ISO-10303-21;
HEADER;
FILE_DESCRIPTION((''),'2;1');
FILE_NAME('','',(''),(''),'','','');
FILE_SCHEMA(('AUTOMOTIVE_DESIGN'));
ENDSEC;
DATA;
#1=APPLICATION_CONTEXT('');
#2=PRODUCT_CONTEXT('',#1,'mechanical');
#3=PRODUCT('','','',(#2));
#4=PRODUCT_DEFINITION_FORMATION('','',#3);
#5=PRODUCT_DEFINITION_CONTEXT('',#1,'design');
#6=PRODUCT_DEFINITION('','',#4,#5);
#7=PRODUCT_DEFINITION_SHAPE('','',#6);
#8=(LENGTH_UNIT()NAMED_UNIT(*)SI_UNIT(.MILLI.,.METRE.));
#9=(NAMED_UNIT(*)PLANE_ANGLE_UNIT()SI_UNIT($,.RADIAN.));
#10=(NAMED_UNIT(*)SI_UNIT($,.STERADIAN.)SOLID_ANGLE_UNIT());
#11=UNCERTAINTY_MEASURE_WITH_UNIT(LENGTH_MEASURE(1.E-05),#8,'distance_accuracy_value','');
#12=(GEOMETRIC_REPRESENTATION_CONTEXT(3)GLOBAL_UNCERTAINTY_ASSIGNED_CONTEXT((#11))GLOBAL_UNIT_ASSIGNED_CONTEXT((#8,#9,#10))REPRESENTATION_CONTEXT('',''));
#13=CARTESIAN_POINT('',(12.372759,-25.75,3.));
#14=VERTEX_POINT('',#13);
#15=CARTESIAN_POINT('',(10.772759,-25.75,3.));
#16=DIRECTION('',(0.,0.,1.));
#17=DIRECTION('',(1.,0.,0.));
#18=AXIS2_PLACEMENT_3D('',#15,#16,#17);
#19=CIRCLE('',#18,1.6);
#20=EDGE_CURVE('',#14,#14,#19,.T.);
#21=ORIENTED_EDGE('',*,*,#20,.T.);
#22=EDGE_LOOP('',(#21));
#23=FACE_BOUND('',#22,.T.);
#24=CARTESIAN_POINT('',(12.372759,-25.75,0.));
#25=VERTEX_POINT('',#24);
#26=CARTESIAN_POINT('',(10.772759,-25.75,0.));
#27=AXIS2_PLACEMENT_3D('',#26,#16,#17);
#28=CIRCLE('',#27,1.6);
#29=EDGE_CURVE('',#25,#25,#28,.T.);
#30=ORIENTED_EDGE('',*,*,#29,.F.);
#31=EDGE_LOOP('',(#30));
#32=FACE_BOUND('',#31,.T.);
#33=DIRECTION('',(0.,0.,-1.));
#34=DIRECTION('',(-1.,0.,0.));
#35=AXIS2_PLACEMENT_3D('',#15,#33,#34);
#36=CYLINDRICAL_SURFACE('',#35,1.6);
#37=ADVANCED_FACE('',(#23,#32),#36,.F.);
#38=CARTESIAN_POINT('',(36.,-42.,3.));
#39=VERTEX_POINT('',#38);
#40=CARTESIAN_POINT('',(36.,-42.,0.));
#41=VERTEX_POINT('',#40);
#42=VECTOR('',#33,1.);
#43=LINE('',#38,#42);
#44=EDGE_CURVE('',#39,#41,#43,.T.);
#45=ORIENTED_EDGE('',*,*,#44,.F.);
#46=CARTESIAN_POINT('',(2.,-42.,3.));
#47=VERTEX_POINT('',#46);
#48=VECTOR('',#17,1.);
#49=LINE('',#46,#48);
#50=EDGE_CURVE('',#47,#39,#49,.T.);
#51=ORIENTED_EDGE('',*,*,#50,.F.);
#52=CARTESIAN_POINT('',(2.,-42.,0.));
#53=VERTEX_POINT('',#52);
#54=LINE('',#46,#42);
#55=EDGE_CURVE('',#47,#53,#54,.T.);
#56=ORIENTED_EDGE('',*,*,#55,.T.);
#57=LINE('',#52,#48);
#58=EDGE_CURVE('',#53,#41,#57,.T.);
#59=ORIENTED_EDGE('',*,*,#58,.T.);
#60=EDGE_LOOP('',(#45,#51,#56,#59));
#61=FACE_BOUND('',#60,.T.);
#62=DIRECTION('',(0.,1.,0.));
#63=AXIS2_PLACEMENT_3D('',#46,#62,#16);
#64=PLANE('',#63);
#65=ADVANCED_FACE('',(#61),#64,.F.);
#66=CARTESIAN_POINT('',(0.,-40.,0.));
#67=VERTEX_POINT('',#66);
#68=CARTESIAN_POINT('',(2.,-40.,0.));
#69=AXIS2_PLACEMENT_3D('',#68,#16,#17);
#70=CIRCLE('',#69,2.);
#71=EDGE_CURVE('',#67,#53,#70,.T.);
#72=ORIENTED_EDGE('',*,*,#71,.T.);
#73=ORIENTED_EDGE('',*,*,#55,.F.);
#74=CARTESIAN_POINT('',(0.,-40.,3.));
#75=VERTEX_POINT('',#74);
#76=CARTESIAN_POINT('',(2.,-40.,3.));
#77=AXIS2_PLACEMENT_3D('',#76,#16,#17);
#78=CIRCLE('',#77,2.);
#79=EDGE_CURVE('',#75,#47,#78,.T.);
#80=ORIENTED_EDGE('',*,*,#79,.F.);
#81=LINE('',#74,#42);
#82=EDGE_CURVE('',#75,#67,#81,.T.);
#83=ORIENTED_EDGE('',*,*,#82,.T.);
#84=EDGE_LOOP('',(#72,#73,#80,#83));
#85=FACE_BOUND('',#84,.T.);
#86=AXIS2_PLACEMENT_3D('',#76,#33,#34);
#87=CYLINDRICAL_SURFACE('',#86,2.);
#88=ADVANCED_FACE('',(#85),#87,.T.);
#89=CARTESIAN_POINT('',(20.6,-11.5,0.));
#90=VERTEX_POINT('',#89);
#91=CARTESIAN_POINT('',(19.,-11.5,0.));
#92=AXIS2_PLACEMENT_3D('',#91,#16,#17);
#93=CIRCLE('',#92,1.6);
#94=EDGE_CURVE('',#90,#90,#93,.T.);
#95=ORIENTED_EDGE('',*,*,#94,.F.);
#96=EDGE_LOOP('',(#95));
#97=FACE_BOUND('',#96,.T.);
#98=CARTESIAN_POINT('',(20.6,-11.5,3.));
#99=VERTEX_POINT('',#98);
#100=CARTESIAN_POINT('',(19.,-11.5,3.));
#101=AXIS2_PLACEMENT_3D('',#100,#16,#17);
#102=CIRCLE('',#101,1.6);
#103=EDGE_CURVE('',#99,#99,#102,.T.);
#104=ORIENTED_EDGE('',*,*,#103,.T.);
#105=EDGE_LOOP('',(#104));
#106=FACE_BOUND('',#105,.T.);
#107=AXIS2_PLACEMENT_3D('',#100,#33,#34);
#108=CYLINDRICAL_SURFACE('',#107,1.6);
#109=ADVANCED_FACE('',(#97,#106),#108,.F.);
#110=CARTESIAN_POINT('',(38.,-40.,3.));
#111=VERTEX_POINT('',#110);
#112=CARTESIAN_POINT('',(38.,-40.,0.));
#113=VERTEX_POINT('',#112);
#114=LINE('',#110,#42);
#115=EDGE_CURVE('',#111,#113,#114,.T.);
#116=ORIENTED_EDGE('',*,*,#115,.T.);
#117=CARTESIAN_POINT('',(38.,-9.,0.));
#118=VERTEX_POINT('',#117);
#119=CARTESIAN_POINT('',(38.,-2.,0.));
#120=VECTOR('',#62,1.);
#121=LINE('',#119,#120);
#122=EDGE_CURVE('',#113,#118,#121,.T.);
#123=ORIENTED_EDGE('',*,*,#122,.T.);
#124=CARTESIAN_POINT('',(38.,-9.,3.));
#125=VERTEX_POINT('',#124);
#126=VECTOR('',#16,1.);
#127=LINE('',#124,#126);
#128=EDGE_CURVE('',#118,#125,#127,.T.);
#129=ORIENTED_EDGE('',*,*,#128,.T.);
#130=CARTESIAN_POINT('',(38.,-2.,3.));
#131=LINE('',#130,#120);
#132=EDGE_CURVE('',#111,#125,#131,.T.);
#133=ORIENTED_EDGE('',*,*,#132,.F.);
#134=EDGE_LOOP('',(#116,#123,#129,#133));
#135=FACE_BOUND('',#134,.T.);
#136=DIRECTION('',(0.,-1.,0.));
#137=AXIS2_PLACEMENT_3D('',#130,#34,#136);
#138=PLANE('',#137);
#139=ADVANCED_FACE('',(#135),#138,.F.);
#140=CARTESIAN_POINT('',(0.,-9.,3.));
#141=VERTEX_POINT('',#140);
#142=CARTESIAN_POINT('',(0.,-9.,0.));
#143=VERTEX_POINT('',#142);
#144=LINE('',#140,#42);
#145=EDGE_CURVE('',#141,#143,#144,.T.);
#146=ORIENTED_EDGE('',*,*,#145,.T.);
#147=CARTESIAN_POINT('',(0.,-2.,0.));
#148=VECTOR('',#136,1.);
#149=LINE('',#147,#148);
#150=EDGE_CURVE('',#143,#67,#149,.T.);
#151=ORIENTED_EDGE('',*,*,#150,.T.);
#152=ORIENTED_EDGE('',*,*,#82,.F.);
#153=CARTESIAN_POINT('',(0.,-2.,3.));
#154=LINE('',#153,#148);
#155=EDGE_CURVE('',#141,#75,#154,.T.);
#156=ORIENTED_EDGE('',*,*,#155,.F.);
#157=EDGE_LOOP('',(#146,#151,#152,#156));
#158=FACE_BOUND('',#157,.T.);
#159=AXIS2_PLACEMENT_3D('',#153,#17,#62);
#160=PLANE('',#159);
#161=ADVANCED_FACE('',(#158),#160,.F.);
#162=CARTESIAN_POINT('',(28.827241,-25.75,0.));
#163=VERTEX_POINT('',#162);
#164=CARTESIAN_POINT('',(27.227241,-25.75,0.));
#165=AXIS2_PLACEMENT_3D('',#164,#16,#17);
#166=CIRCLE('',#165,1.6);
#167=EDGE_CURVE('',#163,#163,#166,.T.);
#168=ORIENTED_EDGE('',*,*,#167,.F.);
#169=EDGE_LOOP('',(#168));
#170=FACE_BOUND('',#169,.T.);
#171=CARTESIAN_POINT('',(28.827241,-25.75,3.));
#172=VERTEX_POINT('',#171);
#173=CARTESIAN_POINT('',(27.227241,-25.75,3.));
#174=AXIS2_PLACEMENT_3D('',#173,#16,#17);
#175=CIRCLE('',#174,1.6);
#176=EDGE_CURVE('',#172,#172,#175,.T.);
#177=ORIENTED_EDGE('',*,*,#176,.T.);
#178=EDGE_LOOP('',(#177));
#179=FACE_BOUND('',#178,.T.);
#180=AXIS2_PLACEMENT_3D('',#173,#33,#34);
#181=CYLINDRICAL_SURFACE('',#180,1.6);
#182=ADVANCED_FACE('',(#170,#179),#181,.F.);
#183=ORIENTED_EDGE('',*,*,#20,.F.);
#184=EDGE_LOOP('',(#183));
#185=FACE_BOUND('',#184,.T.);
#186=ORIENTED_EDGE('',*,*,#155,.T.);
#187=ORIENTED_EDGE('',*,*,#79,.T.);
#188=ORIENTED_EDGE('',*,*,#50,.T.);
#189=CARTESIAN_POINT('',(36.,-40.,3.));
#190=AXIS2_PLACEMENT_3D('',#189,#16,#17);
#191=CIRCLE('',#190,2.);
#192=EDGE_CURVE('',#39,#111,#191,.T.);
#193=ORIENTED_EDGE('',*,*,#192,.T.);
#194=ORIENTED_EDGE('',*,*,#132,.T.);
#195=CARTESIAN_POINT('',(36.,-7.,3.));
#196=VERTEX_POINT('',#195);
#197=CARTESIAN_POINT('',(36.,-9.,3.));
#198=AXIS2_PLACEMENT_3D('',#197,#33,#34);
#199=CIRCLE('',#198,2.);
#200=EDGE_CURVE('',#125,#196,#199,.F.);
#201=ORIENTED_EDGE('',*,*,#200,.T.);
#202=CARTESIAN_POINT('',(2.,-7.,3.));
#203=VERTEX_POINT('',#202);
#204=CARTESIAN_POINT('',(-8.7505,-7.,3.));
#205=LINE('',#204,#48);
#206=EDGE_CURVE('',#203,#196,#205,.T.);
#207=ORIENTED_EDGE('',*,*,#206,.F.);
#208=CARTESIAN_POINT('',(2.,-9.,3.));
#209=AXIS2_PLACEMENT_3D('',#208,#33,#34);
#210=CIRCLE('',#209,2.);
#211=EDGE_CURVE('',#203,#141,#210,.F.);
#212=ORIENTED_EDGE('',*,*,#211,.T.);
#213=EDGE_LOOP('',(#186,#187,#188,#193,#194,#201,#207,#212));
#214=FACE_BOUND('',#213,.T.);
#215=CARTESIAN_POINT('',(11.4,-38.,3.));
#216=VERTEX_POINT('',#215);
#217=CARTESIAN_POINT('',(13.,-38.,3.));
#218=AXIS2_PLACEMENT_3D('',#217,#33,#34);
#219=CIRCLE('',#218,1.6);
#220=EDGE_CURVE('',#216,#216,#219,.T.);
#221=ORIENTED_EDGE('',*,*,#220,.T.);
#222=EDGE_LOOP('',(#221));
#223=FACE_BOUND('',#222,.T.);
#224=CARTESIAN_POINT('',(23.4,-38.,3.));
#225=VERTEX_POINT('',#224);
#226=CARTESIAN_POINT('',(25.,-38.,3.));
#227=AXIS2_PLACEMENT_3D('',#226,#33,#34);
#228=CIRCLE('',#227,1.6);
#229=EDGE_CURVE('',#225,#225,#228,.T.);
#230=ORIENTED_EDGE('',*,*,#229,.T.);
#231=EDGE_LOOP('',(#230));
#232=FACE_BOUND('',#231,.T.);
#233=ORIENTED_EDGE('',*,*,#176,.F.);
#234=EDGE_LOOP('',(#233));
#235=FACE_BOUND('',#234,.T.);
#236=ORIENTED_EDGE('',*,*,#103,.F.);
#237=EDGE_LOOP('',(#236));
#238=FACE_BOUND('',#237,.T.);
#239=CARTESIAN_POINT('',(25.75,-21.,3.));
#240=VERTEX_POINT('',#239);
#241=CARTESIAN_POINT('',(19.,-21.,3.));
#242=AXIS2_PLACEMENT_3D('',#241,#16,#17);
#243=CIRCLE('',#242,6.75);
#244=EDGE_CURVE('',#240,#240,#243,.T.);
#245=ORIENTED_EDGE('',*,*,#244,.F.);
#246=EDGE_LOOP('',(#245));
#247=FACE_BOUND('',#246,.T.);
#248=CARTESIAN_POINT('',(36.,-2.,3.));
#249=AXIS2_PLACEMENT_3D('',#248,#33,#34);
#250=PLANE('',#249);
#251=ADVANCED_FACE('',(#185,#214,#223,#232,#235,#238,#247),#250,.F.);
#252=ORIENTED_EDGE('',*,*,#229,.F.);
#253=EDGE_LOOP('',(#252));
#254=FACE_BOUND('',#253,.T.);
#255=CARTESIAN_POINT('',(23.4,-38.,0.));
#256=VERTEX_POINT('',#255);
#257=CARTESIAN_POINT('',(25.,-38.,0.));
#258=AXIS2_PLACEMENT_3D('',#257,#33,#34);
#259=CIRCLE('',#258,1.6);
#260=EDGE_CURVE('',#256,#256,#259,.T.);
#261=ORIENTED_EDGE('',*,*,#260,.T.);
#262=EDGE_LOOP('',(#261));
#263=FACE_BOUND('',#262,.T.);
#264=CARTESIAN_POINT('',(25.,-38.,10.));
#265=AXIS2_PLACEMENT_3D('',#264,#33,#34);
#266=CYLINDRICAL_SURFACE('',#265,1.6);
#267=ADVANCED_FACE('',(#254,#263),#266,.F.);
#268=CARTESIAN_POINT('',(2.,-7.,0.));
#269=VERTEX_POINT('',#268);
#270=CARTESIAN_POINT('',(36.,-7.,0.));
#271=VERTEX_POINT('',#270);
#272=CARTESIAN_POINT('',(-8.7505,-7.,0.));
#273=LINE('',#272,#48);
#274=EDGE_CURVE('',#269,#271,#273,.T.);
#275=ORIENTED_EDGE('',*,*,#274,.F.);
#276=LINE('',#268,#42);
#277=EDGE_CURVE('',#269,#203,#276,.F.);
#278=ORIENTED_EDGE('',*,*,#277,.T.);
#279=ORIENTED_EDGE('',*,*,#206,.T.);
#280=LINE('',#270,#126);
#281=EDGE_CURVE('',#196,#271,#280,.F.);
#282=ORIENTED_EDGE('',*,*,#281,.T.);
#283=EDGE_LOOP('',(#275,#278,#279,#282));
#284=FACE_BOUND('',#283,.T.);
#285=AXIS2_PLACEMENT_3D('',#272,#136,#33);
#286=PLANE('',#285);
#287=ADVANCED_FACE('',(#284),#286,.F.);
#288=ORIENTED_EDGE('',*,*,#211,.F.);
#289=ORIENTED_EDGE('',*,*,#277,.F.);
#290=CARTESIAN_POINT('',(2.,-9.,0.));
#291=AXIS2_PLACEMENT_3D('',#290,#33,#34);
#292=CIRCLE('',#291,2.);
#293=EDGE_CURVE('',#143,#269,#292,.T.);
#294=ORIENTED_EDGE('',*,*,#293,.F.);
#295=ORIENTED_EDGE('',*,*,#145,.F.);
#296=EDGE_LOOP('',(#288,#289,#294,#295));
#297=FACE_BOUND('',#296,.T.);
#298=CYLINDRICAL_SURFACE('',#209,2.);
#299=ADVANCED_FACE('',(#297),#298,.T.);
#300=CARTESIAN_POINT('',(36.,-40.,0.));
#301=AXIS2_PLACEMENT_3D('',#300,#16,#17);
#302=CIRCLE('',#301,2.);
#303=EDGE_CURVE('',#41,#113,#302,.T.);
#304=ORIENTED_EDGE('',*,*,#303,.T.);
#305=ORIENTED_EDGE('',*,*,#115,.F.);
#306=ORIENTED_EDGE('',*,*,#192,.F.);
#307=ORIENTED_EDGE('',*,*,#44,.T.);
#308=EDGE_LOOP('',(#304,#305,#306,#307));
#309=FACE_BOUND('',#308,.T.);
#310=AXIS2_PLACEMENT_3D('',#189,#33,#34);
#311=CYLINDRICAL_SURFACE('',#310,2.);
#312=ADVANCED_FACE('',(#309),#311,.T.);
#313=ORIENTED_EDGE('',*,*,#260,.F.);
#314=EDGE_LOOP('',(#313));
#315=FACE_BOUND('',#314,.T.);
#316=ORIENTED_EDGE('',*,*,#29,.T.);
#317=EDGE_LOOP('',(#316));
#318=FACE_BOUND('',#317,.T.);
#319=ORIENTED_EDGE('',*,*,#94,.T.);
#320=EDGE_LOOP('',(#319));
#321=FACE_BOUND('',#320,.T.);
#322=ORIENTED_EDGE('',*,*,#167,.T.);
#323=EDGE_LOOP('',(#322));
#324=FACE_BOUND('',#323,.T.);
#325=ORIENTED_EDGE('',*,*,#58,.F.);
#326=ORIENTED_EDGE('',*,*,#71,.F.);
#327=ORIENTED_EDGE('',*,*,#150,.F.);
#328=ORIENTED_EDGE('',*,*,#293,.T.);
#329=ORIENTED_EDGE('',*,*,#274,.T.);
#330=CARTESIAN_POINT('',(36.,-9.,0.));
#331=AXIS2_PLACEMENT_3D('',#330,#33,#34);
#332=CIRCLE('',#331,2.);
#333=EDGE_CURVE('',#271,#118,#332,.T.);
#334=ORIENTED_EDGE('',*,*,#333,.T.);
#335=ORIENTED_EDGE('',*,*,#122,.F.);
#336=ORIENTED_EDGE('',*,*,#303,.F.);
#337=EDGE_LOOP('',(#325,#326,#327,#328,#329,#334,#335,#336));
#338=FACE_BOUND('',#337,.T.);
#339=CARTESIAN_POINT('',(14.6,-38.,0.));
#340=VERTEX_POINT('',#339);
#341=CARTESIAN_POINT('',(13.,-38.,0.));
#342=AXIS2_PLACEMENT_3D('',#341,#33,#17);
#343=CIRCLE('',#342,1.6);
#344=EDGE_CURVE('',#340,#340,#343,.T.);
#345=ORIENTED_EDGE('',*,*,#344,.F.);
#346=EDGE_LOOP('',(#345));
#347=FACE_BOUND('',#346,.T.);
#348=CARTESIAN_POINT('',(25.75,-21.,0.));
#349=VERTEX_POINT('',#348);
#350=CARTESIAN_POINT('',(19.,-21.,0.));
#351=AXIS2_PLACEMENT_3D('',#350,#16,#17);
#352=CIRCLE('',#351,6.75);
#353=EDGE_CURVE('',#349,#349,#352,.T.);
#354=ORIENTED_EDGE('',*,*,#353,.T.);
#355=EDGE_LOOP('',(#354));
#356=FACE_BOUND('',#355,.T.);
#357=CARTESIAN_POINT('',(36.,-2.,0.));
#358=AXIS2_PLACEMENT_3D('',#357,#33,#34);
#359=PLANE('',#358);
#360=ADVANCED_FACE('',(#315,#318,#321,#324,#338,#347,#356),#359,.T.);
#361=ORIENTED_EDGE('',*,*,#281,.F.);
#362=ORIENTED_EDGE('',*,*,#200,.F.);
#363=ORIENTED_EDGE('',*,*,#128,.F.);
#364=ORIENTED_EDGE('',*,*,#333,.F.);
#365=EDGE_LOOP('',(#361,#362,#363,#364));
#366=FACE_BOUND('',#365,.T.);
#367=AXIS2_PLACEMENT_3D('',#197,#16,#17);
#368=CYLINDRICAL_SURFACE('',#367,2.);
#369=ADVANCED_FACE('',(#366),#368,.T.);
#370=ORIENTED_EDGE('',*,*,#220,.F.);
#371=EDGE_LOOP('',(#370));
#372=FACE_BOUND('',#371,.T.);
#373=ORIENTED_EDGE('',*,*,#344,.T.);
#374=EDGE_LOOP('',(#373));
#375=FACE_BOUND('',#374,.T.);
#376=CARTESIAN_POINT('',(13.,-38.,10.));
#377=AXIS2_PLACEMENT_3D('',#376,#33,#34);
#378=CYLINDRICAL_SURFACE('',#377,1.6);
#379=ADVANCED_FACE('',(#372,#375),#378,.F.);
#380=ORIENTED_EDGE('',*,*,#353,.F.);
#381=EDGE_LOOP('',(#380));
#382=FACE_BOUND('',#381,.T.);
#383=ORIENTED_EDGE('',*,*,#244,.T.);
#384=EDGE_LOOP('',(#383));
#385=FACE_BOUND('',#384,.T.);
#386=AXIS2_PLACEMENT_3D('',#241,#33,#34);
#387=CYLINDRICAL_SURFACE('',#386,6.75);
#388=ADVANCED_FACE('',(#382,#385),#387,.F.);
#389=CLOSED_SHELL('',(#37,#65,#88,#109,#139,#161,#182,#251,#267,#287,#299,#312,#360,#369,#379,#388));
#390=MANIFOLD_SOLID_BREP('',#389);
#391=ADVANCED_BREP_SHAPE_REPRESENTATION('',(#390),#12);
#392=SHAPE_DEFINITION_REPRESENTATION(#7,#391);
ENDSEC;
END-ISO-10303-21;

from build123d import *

# Parameters (mm, degrees)
SKETCH_1_R          = 6.75
SKETCH_1_R_2        = 1.6
EXTRUDE_1_DEPTH     = 3
SKETCH_2_R          = 1.6
CUT_EXTRUDE_1_DEPTH = 10
SKETCH_3_W          = 59.008256567
SKETCH_3_H          = 13.932505023
CUT_EXTRUDE_2_DEPTH = 57.71860365
FILLET_1_R          = 2


with BuildPart() as part:
    # 草图1 → 凸台-拉伸1 (new body)
    with BuildSketch(Plane.XY):
        with BuildLine():
            Line((2, 0), (36, 0))
            ThreePointArc((36, 0), (37.414213562, -0.585786438), (38, -2))
            Line((38, -2), (38, -40))
            ThreePointArc((38, -40), (37.414213562, -41.414213562), (36, -42))
            Line((36, -42), (2, -42))
            ThreePointArc((2, -42), (0.585786438, -41.414213562), (0, -40))
            Line((0, -40), (0, -2))
            ThreePointArc((0, -2), (0.585786438, -0.585786438), (2, 0))
        make_face()
        with Locations((19, -21)):
            Circle(SKETCH_1_R, mode=Mode.SUBTRACT)
        with Locations((19, -11.5)):
            Circle(SKETCH_1_R_2, mode=Mode.SUBTRACT)
        with Locations((27.227241336, -25.75)):
            Circle(SKETCH_1_R_2, mode=Mode.SUBTRACT)
        with Locations((10.772758664, -25.75)):
            Circle(SKETCH_1_R_2, mode=Mode.SUBTRACT)
    extrude(amount=EXTRUDE_1_DEPTH)

    # 草图2 → 切除-拉伸1 (cut)
    with BuildSketch(Plane(origin=(0, 0, 0), x_dir=(-1, 0, 0), z_dir=(0, 0, -1))):
        with Locations((-13, -38)):
            Circle(SKETCH_2_R)
        with Locations((-25, -38)):
            Circle(SKETCH_2_R)
    extrude(amount=-CUT_EXTRUDE_1_DEPTH, mode=Mode.SUBTRACT)

    # 草图3 → 切除-拉伸2 (cut, through all)
    with BuildSketch(Plane.XY.offset(3)):
        with Locations((20.753628174, -0.033747488)):
            Rectangle(SKETCH_3_W, SKETCH_3_H)
    extrude(amount=-CUT_EXTRUDE_2_DEPTH, mode=Mode.SUBTRACT)

    # 圆角1
    fillet_1_edges = [part.edges().sort_by_distance(p)[0] for p in [
        (38, -7, 1.5),
        (0, -7, 1.5),
    ]]
    fillet(fillet_1_edges, radius=FILLET_1_R)


solid = part.part
